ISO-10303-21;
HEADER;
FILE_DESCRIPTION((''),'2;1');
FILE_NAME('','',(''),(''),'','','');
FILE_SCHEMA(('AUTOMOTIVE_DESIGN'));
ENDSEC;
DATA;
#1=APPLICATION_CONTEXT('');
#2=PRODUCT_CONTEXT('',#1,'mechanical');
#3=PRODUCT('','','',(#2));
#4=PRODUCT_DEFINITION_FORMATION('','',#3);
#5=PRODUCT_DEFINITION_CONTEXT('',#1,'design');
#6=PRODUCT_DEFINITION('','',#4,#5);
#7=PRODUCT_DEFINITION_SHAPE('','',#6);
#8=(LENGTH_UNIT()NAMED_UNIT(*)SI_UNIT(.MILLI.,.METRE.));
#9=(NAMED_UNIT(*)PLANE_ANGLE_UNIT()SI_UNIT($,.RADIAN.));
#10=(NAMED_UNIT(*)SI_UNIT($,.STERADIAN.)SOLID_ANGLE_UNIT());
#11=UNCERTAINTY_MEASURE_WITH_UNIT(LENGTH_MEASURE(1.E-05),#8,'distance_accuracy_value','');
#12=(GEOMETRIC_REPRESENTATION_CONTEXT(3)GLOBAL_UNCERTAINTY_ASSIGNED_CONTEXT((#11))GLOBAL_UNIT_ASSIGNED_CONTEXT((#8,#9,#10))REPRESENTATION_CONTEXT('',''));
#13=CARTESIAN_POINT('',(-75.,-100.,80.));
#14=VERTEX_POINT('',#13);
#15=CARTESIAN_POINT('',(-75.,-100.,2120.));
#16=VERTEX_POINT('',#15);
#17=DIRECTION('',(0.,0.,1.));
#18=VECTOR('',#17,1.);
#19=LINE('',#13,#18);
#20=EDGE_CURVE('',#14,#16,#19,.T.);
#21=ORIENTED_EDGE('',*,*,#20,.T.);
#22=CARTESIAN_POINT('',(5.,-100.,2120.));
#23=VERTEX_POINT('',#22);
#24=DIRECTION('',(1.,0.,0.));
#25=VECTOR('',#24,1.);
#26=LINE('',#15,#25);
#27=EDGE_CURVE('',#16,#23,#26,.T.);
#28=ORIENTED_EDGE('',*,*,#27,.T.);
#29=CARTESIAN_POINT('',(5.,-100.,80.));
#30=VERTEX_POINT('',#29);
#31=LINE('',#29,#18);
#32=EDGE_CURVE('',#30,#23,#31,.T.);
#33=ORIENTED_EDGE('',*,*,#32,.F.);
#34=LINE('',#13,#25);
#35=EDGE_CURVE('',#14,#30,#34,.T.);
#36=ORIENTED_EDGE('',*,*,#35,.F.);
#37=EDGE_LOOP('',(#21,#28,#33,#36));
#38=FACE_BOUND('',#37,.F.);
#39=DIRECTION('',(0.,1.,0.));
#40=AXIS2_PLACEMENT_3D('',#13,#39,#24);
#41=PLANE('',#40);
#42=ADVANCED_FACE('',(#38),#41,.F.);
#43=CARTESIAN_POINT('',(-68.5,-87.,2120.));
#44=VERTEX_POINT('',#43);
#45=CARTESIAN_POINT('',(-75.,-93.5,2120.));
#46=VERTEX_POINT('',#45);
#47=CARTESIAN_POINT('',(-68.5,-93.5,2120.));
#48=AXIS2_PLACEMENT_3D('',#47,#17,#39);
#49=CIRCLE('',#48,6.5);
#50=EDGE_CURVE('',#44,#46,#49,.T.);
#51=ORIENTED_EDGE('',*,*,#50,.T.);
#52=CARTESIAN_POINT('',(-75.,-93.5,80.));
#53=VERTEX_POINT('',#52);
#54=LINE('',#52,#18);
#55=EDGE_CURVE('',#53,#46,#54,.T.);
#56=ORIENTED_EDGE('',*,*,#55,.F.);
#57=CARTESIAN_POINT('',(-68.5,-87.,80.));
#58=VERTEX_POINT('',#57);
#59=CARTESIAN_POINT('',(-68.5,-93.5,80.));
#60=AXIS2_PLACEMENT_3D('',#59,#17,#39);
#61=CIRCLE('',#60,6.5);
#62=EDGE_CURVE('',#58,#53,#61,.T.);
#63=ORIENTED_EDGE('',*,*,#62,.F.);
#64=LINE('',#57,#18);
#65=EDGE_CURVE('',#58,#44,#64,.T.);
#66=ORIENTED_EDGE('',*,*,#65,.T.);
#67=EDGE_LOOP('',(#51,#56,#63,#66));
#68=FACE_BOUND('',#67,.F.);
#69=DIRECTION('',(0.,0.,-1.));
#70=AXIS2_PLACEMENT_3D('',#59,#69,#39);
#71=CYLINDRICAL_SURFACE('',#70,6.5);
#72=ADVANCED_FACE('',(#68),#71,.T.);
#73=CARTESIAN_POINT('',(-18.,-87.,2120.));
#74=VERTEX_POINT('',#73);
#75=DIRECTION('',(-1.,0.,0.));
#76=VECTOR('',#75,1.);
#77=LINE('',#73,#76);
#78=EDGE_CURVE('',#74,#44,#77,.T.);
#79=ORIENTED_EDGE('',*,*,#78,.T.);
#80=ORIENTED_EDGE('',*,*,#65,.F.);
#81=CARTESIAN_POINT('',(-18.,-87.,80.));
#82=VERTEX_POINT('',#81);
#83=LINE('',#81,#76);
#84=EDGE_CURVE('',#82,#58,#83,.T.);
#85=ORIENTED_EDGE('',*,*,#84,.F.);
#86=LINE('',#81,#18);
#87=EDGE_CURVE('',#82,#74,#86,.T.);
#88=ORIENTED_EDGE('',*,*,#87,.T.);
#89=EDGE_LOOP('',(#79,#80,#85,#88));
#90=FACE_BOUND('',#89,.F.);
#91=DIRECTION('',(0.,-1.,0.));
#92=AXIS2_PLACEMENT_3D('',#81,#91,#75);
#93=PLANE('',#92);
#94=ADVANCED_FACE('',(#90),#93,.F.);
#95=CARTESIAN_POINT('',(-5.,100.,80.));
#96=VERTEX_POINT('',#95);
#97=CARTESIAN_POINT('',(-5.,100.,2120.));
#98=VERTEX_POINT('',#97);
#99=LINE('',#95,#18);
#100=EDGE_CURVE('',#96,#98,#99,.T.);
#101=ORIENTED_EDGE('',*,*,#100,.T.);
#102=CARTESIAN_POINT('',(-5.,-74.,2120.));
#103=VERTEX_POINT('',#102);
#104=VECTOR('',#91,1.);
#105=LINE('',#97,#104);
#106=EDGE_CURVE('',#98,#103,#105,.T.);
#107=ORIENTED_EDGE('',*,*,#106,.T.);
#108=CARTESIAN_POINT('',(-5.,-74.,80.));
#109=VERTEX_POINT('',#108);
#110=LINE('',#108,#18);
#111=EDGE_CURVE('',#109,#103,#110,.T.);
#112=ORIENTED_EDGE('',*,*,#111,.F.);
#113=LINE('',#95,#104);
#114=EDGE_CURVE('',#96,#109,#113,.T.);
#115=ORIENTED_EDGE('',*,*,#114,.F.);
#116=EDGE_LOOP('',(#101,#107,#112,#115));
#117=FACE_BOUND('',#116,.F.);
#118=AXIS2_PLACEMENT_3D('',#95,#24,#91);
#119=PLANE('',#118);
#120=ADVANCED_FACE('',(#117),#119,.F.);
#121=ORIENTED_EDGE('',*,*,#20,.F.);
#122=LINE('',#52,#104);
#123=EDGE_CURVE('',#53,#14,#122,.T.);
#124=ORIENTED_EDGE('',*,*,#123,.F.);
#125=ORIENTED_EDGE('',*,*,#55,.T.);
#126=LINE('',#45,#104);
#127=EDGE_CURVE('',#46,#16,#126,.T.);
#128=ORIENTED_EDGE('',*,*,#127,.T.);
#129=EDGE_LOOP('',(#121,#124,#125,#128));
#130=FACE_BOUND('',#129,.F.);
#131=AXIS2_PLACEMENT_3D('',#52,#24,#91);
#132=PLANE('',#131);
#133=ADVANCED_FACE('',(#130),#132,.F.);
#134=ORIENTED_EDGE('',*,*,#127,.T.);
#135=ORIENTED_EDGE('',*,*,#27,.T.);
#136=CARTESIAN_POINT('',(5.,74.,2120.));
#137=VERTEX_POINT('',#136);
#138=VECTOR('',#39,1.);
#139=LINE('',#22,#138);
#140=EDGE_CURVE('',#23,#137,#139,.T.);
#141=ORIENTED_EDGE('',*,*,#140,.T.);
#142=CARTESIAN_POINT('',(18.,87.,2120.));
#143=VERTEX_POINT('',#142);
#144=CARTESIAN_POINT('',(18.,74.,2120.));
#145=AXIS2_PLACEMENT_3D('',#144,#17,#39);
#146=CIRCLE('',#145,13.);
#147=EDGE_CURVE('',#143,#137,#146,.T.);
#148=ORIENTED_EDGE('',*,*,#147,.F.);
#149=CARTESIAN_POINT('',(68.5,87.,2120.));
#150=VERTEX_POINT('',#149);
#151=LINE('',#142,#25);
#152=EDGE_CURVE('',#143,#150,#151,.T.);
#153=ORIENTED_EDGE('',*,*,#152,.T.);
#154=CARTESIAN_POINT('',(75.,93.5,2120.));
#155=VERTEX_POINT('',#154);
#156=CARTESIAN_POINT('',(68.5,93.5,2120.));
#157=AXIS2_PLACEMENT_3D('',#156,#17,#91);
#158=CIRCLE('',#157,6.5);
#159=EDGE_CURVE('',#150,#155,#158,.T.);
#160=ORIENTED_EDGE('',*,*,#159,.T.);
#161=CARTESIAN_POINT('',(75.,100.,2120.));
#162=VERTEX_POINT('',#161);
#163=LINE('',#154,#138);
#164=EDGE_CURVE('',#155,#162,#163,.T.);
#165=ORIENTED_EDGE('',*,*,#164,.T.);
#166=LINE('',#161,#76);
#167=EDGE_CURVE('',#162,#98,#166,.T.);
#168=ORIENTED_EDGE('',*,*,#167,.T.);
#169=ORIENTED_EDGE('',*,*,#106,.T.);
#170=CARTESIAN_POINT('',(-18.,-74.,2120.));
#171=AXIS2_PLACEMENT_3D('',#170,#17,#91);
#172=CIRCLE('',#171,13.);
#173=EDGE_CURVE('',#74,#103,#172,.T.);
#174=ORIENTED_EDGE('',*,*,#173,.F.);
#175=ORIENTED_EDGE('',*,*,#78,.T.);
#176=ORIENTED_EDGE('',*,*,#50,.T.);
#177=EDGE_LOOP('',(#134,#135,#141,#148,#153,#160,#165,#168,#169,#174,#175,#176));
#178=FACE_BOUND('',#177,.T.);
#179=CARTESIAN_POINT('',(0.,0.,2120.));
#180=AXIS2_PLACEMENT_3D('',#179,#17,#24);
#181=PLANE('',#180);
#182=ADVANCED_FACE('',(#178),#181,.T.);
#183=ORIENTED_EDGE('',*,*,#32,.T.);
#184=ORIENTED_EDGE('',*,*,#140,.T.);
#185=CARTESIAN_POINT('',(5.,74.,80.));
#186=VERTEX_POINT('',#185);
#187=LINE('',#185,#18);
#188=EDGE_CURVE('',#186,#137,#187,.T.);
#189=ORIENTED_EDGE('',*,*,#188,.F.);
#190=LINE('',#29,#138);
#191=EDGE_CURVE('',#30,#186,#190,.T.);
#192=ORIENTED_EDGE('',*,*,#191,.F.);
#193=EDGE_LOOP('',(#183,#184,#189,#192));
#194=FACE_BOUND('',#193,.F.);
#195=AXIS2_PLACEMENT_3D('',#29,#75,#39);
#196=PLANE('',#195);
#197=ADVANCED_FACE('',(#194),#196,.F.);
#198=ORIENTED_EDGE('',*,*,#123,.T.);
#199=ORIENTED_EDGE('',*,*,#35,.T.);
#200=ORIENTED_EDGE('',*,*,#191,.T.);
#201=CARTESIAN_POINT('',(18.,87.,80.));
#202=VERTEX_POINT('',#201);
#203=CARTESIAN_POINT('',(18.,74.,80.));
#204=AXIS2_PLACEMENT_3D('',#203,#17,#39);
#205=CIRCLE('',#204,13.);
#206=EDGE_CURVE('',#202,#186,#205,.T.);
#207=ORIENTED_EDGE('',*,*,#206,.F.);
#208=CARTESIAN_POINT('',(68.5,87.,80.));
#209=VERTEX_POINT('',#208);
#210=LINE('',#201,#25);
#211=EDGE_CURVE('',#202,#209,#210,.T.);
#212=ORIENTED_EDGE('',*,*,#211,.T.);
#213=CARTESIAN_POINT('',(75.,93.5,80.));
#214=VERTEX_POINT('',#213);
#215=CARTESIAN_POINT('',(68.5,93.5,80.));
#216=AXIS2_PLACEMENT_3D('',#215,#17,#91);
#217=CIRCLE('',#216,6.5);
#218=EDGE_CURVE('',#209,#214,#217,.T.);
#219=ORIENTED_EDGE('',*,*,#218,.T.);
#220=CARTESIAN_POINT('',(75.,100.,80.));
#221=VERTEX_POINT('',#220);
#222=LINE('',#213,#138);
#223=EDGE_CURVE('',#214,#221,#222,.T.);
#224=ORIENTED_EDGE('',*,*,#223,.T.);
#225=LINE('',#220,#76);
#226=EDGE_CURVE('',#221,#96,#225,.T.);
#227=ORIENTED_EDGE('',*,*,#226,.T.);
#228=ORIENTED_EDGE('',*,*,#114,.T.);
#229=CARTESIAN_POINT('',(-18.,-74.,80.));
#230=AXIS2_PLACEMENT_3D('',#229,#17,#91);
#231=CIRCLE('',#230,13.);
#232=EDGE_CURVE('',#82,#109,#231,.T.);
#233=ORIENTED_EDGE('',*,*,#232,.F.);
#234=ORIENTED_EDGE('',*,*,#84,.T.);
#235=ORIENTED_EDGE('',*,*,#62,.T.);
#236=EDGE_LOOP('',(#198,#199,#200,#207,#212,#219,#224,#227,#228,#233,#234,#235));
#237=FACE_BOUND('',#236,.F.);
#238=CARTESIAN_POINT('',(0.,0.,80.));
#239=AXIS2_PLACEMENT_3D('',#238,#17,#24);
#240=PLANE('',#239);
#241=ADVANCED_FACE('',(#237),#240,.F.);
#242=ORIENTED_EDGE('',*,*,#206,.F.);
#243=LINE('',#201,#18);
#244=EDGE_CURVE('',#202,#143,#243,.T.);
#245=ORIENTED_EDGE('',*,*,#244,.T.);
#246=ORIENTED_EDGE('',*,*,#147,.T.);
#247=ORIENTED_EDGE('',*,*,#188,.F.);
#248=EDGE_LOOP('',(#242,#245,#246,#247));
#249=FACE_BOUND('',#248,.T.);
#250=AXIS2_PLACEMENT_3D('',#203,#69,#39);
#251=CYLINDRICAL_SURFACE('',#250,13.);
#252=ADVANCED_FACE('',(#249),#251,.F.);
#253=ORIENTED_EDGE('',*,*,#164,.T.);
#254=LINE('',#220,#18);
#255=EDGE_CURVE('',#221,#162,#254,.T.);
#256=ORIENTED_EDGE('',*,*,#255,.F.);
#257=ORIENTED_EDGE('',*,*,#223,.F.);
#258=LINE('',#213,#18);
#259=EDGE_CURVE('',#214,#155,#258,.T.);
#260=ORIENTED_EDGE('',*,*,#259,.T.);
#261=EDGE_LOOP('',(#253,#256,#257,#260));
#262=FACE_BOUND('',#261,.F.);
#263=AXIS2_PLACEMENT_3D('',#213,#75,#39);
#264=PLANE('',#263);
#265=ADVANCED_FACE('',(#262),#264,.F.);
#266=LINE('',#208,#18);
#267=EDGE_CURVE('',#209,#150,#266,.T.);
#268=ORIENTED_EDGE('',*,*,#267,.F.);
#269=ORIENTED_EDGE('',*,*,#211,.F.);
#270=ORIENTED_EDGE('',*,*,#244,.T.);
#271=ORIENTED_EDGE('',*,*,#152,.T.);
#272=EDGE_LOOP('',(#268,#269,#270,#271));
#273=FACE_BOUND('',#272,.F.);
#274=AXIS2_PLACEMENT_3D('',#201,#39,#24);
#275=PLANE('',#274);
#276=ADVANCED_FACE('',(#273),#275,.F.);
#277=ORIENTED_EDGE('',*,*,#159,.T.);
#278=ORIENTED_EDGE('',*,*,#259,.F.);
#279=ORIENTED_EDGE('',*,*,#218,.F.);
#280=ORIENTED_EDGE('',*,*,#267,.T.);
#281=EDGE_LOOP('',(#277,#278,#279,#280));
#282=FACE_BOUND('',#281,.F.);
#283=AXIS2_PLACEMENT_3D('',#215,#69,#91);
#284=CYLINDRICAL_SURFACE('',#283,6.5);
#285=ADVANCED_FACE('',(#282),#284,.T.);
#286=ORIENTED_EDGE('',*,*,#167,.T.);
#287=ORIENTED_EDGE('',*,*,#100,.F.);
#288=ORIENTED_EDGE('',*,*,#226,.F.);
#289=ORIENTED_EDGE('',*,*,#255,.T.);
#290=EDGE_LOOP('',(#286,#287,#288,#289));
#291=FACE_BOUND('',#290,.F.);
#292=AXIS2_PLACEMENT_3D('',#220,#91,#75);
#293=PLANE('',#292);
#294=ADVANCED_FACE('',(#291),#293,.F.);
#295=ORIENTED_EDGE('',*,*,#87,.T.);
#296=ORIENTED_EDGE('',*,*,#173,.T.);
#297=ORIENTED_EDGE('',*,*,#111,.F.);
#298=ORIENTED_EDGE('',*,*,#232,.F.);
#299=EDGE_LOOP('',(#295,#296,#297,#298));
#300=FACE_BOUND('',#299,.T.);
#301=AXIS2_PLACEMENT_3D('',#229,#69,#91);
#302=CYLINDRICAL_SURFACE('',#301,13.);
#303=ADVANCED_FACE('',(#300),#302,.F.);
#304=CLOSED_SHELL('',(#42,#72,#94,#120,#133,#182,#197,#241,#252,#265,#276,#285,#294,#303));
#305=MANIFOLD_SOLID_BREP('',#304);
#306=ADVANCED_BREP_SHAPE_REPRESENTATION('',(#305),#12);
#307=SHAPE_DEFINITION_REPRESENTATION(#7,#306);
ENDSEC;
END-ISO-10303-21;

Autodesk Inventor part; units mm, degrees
ref_plane "Start plane" through (0, 0, 80) normal (0, 0, 1) x (1, 0, 0)
ref_plane "End plane" through (0, 0, 2120) normal (0, 0, 1) x (1, 0, 0)
sketch "Sketch" plane through (0, 0, 0) normal (0, 0, 1) x (1, 0, 0)
  line L0 (-75, -100) -> (5, -100)
  line L1 (5, -100) -> (5, 74)
  line L2 (18, 87) -> (68.5, 87)
  line L3 (75, 93.5) -> (75, 100)
  line L4 (75, 100) -> (-5, 100)
  line L5 (-5, 100) -> (-5, -74)
  line L6 (-18, -87) -> (-68.5, -87)
  line L7 (-75, -93.5) -> (-75, -100)
  line L8 (173.6154, 0) -> (-40.1539, 0) construction
  line L9 (0, -212) -> (0, 68) construction
  arc A0 (-18, -87) -> (-5, -74) centre (-18, -74) ccw
  arc A1 (18, 87) -> (5, 74) centre (18, 74) ccw
  arc A2 (-68.5, -87) -> (-75, -93.5) centre (-68.5, -93.5) ccw
  arc A3 (68.5, 87) -> (75, 93.5) centre (68.5, 93.5) ccw
  line L10 (0, 162.4) -> (0, -274.4) construction
  line L11 (-126.3385, 0) -> (223.6078, 0) construction
  point P0 (5, 87)
  point P1 (75, 87)
  point P2 (-5, -87)
  point P3 (-75, -87)
  dimension "d0" = 200
  dimension "d1" = 80
  dimension "d2" = 80
  dimension "d3" = 13
  dimension "d4" = 13
  dimension "d5" = 10
  dimension "d10" = 13
  dimension "d11" = 6.5
  dimension "d12" = 5
  dimension "d13" = 100
extrude "Body" add sketch "Sketch" along normal up to surface (2040 mm away) from surface at 80
sketch "Sketch3" plane through (0, 0, 0) normal (0, 0, 1) x (1, 0, 0)
  line L0 (0, 0) -> (10, 0)
ref_plane "Work Plane3" through (0, 0, 0) normal (0, -1, 0) x (1, 0, 0)
sketch "Sketch4" plane through (0, 0, 0) normal (0, -1, 0) x (1, 0, 0)
  line L0 (-2, 80) -> (12, 80)
  line L1 (-2, 2120) -> (12, 2120)
  dimension "d17" = 2040
ref_plane "Work Plane4" through (-3800, 0, 80) normal (0, 0, -1) x (-1, 0, 0)
split "Split1" plane through (-3800, 0, 80) removes the side toward (0, 0, -1)
ref_plane "Work Plane5" through (800, 0, 2120) normal (0, 0, 1) x (1, 0, 0)
split "Split2" plane through (800, 0, 2120) removes the side toward (0, 0, 1)
equation "\"d0\" = G_H"
equation "\"d1\" = G_W"
equation "\"d2\" = G_W"
equation "\"d3\" = G_T1"
equation "\"d4\" = G_T1"
equation "\"d5\" = G_T"
equation "\"d10\" = G_IR"
equation "\"d11\" = G_ER"
equation "\"d12\" = 0.5 * d5"
equation "\"d13\" = 0.5 * d0"
equation "\"d6\" = G_L"
equation "\"G_W\" = 80"
equation "\"G_H\" = 200"
equation "\"G_T\" = 10"
equation "\"G_T1\" = 13"
equation "\"G_IR\" = 13"
equation "\"G_ER\" = 6.5"
equation "\"G_L\" = d17"
properties part number "DIN1027 - Z 200 - 2040" material "Steel, Mild"
